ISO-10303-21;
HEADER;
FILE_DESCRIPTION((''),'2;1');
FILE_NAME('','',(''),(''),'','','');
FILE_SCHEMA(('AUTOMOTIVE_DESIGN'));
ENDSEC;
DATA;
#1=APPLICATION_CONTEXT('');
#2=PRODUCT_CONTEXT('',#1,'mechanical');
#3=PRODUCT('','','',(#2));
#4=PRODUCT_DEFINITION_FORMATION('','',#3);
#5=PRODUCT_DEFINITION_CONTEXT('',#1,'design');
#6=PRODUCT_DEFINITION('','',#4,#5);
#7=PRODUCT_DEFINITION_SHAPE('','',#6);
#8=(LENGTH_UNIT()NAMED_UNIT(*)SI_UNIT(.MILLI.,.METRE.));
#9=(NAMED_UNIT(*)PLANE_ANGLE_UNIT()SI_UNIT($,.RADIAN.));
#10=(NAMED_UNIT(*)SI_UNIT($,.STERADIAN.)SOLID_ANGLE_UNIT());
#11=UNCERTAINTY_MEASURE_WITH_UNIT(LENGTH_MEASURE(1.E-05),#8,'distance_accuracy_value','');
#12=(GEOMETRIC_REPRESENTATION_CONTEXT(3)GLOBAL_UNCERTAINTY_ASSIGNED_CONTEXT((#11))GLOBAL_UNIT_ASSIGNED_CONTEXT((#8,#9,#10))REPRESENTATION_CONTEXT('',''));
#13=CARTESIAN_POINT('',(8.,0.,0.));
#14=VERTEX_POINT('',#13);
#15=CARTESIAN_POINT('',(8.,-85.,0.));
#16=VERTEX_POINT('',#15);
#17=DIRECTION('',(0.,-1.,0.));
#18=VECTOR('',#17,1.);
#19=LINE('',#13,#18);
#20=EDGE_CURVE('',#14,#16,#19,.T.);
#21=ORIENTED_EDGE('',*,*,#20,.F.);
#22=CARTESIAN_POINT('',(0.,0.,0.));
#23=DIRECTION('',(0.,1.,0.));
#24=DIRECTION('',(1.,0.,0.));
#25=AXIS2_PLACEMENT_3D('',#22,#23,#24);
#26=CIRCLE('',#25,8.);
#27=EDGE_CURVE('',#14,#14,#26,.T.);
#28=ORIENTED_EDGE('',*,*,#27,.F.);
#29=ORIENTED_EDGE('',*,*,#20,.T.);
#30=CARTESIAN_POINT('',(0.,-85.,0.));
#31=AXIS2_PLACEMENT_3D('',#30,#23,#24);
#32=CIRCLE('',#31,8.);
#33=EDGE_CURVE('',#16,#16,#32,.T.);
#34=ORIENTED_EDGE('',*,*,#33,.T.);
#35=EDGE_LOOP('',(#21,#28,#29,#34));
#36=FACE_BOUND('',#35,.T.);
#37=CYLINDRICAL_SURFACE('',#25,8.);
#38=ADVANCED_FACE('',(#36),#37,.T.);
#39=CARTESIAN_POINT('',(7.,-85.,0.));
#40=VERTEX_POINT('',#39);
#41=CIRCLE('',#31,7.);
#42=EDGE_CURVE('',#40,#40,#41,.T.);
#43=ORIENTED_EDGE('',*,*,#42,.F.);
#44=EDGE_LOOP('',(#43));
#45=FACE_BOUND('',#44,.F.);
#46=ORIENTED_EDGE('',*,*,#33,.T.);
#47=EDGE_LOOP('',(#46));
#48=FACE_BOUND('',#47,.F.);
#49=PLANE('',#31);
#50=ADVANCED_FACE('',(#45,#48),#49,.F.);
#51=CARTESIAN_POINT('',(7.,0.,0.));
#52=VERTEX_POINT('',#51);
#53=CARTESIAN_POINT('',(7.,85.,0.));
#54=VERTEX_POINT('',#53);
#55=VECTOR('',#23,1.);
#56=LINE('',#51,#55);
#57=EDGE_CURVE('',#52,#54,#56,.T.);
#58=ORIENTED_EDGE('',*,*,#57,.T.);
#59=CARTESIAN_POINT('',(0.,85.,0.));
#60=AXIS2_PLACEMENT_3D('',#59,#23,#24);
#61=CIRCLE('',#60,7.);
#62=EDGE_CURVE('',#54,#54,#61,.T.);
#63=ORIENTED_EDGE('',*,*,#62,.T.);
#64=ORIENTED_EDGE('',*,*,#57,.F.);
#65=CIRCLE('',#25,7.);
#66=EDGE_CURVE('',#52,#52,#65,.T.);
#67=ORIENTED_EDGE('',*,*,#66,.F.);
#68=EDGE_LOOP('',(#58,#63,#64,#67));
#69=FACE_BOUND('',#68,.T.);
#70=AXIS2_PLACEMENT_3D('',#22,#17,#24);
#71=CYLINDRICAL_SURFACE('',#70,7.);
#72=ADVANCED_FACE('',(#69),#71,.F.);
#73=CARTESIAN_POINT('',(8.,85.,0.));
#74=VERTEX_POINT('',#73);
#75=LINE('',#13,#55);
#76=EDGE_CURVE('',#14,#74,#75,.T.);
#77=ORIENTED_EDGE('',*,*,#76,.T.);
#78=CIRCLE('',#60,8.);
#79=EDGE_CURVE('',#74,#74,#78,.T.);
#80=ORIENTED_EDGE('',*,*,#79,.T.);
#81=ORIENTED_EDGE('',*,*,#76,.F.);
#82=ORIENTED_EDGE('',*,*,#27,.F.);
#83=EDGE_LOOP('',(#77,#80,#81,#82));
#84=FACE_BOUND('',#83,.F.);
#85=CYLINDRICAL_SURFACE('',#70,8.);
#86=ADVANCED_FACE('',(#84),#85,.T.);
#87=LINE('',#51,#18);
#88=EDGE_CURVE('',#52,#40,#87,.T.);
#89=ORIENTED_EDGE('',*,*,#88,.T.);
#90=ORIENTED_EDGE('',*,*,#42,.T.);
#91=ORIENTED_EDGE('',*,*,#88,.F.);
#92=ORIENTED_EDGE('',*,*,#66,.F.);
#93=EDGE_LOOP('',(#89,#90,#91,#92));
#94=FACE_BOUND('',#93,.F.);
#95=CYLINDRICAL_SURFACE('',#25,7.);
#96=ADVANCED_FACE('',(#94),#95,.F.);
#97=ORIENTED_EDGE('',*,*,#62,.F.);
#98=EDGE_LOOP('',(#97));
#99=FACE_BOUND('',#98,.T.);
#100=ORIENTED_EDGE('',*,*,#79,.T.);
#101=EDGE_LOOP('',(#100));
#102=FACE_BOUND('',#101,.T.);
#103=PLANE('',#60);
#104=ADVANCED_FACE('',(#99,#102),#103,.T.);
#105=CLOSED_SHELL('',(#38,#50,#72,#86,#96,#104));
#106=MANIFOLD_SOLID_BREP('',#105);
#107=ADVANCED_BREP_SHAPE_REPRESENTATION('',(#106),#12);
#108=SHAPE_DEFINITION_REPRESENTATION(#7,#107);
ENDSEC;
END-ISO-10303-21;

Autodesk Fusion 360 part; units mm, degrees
sketch "Sketch1" plane through (0, 0, 0) normal (0, 1, 0) x (1, 0, 0)
  circle A0 centre (0, 0) radius 8
  circle A1 centre (0, 0) radius 7
  dimension "d1" = 16
  dimension "d2" = 14
extrude "Extrude1" add sketch "Sketch1" along normal mid plane 170
